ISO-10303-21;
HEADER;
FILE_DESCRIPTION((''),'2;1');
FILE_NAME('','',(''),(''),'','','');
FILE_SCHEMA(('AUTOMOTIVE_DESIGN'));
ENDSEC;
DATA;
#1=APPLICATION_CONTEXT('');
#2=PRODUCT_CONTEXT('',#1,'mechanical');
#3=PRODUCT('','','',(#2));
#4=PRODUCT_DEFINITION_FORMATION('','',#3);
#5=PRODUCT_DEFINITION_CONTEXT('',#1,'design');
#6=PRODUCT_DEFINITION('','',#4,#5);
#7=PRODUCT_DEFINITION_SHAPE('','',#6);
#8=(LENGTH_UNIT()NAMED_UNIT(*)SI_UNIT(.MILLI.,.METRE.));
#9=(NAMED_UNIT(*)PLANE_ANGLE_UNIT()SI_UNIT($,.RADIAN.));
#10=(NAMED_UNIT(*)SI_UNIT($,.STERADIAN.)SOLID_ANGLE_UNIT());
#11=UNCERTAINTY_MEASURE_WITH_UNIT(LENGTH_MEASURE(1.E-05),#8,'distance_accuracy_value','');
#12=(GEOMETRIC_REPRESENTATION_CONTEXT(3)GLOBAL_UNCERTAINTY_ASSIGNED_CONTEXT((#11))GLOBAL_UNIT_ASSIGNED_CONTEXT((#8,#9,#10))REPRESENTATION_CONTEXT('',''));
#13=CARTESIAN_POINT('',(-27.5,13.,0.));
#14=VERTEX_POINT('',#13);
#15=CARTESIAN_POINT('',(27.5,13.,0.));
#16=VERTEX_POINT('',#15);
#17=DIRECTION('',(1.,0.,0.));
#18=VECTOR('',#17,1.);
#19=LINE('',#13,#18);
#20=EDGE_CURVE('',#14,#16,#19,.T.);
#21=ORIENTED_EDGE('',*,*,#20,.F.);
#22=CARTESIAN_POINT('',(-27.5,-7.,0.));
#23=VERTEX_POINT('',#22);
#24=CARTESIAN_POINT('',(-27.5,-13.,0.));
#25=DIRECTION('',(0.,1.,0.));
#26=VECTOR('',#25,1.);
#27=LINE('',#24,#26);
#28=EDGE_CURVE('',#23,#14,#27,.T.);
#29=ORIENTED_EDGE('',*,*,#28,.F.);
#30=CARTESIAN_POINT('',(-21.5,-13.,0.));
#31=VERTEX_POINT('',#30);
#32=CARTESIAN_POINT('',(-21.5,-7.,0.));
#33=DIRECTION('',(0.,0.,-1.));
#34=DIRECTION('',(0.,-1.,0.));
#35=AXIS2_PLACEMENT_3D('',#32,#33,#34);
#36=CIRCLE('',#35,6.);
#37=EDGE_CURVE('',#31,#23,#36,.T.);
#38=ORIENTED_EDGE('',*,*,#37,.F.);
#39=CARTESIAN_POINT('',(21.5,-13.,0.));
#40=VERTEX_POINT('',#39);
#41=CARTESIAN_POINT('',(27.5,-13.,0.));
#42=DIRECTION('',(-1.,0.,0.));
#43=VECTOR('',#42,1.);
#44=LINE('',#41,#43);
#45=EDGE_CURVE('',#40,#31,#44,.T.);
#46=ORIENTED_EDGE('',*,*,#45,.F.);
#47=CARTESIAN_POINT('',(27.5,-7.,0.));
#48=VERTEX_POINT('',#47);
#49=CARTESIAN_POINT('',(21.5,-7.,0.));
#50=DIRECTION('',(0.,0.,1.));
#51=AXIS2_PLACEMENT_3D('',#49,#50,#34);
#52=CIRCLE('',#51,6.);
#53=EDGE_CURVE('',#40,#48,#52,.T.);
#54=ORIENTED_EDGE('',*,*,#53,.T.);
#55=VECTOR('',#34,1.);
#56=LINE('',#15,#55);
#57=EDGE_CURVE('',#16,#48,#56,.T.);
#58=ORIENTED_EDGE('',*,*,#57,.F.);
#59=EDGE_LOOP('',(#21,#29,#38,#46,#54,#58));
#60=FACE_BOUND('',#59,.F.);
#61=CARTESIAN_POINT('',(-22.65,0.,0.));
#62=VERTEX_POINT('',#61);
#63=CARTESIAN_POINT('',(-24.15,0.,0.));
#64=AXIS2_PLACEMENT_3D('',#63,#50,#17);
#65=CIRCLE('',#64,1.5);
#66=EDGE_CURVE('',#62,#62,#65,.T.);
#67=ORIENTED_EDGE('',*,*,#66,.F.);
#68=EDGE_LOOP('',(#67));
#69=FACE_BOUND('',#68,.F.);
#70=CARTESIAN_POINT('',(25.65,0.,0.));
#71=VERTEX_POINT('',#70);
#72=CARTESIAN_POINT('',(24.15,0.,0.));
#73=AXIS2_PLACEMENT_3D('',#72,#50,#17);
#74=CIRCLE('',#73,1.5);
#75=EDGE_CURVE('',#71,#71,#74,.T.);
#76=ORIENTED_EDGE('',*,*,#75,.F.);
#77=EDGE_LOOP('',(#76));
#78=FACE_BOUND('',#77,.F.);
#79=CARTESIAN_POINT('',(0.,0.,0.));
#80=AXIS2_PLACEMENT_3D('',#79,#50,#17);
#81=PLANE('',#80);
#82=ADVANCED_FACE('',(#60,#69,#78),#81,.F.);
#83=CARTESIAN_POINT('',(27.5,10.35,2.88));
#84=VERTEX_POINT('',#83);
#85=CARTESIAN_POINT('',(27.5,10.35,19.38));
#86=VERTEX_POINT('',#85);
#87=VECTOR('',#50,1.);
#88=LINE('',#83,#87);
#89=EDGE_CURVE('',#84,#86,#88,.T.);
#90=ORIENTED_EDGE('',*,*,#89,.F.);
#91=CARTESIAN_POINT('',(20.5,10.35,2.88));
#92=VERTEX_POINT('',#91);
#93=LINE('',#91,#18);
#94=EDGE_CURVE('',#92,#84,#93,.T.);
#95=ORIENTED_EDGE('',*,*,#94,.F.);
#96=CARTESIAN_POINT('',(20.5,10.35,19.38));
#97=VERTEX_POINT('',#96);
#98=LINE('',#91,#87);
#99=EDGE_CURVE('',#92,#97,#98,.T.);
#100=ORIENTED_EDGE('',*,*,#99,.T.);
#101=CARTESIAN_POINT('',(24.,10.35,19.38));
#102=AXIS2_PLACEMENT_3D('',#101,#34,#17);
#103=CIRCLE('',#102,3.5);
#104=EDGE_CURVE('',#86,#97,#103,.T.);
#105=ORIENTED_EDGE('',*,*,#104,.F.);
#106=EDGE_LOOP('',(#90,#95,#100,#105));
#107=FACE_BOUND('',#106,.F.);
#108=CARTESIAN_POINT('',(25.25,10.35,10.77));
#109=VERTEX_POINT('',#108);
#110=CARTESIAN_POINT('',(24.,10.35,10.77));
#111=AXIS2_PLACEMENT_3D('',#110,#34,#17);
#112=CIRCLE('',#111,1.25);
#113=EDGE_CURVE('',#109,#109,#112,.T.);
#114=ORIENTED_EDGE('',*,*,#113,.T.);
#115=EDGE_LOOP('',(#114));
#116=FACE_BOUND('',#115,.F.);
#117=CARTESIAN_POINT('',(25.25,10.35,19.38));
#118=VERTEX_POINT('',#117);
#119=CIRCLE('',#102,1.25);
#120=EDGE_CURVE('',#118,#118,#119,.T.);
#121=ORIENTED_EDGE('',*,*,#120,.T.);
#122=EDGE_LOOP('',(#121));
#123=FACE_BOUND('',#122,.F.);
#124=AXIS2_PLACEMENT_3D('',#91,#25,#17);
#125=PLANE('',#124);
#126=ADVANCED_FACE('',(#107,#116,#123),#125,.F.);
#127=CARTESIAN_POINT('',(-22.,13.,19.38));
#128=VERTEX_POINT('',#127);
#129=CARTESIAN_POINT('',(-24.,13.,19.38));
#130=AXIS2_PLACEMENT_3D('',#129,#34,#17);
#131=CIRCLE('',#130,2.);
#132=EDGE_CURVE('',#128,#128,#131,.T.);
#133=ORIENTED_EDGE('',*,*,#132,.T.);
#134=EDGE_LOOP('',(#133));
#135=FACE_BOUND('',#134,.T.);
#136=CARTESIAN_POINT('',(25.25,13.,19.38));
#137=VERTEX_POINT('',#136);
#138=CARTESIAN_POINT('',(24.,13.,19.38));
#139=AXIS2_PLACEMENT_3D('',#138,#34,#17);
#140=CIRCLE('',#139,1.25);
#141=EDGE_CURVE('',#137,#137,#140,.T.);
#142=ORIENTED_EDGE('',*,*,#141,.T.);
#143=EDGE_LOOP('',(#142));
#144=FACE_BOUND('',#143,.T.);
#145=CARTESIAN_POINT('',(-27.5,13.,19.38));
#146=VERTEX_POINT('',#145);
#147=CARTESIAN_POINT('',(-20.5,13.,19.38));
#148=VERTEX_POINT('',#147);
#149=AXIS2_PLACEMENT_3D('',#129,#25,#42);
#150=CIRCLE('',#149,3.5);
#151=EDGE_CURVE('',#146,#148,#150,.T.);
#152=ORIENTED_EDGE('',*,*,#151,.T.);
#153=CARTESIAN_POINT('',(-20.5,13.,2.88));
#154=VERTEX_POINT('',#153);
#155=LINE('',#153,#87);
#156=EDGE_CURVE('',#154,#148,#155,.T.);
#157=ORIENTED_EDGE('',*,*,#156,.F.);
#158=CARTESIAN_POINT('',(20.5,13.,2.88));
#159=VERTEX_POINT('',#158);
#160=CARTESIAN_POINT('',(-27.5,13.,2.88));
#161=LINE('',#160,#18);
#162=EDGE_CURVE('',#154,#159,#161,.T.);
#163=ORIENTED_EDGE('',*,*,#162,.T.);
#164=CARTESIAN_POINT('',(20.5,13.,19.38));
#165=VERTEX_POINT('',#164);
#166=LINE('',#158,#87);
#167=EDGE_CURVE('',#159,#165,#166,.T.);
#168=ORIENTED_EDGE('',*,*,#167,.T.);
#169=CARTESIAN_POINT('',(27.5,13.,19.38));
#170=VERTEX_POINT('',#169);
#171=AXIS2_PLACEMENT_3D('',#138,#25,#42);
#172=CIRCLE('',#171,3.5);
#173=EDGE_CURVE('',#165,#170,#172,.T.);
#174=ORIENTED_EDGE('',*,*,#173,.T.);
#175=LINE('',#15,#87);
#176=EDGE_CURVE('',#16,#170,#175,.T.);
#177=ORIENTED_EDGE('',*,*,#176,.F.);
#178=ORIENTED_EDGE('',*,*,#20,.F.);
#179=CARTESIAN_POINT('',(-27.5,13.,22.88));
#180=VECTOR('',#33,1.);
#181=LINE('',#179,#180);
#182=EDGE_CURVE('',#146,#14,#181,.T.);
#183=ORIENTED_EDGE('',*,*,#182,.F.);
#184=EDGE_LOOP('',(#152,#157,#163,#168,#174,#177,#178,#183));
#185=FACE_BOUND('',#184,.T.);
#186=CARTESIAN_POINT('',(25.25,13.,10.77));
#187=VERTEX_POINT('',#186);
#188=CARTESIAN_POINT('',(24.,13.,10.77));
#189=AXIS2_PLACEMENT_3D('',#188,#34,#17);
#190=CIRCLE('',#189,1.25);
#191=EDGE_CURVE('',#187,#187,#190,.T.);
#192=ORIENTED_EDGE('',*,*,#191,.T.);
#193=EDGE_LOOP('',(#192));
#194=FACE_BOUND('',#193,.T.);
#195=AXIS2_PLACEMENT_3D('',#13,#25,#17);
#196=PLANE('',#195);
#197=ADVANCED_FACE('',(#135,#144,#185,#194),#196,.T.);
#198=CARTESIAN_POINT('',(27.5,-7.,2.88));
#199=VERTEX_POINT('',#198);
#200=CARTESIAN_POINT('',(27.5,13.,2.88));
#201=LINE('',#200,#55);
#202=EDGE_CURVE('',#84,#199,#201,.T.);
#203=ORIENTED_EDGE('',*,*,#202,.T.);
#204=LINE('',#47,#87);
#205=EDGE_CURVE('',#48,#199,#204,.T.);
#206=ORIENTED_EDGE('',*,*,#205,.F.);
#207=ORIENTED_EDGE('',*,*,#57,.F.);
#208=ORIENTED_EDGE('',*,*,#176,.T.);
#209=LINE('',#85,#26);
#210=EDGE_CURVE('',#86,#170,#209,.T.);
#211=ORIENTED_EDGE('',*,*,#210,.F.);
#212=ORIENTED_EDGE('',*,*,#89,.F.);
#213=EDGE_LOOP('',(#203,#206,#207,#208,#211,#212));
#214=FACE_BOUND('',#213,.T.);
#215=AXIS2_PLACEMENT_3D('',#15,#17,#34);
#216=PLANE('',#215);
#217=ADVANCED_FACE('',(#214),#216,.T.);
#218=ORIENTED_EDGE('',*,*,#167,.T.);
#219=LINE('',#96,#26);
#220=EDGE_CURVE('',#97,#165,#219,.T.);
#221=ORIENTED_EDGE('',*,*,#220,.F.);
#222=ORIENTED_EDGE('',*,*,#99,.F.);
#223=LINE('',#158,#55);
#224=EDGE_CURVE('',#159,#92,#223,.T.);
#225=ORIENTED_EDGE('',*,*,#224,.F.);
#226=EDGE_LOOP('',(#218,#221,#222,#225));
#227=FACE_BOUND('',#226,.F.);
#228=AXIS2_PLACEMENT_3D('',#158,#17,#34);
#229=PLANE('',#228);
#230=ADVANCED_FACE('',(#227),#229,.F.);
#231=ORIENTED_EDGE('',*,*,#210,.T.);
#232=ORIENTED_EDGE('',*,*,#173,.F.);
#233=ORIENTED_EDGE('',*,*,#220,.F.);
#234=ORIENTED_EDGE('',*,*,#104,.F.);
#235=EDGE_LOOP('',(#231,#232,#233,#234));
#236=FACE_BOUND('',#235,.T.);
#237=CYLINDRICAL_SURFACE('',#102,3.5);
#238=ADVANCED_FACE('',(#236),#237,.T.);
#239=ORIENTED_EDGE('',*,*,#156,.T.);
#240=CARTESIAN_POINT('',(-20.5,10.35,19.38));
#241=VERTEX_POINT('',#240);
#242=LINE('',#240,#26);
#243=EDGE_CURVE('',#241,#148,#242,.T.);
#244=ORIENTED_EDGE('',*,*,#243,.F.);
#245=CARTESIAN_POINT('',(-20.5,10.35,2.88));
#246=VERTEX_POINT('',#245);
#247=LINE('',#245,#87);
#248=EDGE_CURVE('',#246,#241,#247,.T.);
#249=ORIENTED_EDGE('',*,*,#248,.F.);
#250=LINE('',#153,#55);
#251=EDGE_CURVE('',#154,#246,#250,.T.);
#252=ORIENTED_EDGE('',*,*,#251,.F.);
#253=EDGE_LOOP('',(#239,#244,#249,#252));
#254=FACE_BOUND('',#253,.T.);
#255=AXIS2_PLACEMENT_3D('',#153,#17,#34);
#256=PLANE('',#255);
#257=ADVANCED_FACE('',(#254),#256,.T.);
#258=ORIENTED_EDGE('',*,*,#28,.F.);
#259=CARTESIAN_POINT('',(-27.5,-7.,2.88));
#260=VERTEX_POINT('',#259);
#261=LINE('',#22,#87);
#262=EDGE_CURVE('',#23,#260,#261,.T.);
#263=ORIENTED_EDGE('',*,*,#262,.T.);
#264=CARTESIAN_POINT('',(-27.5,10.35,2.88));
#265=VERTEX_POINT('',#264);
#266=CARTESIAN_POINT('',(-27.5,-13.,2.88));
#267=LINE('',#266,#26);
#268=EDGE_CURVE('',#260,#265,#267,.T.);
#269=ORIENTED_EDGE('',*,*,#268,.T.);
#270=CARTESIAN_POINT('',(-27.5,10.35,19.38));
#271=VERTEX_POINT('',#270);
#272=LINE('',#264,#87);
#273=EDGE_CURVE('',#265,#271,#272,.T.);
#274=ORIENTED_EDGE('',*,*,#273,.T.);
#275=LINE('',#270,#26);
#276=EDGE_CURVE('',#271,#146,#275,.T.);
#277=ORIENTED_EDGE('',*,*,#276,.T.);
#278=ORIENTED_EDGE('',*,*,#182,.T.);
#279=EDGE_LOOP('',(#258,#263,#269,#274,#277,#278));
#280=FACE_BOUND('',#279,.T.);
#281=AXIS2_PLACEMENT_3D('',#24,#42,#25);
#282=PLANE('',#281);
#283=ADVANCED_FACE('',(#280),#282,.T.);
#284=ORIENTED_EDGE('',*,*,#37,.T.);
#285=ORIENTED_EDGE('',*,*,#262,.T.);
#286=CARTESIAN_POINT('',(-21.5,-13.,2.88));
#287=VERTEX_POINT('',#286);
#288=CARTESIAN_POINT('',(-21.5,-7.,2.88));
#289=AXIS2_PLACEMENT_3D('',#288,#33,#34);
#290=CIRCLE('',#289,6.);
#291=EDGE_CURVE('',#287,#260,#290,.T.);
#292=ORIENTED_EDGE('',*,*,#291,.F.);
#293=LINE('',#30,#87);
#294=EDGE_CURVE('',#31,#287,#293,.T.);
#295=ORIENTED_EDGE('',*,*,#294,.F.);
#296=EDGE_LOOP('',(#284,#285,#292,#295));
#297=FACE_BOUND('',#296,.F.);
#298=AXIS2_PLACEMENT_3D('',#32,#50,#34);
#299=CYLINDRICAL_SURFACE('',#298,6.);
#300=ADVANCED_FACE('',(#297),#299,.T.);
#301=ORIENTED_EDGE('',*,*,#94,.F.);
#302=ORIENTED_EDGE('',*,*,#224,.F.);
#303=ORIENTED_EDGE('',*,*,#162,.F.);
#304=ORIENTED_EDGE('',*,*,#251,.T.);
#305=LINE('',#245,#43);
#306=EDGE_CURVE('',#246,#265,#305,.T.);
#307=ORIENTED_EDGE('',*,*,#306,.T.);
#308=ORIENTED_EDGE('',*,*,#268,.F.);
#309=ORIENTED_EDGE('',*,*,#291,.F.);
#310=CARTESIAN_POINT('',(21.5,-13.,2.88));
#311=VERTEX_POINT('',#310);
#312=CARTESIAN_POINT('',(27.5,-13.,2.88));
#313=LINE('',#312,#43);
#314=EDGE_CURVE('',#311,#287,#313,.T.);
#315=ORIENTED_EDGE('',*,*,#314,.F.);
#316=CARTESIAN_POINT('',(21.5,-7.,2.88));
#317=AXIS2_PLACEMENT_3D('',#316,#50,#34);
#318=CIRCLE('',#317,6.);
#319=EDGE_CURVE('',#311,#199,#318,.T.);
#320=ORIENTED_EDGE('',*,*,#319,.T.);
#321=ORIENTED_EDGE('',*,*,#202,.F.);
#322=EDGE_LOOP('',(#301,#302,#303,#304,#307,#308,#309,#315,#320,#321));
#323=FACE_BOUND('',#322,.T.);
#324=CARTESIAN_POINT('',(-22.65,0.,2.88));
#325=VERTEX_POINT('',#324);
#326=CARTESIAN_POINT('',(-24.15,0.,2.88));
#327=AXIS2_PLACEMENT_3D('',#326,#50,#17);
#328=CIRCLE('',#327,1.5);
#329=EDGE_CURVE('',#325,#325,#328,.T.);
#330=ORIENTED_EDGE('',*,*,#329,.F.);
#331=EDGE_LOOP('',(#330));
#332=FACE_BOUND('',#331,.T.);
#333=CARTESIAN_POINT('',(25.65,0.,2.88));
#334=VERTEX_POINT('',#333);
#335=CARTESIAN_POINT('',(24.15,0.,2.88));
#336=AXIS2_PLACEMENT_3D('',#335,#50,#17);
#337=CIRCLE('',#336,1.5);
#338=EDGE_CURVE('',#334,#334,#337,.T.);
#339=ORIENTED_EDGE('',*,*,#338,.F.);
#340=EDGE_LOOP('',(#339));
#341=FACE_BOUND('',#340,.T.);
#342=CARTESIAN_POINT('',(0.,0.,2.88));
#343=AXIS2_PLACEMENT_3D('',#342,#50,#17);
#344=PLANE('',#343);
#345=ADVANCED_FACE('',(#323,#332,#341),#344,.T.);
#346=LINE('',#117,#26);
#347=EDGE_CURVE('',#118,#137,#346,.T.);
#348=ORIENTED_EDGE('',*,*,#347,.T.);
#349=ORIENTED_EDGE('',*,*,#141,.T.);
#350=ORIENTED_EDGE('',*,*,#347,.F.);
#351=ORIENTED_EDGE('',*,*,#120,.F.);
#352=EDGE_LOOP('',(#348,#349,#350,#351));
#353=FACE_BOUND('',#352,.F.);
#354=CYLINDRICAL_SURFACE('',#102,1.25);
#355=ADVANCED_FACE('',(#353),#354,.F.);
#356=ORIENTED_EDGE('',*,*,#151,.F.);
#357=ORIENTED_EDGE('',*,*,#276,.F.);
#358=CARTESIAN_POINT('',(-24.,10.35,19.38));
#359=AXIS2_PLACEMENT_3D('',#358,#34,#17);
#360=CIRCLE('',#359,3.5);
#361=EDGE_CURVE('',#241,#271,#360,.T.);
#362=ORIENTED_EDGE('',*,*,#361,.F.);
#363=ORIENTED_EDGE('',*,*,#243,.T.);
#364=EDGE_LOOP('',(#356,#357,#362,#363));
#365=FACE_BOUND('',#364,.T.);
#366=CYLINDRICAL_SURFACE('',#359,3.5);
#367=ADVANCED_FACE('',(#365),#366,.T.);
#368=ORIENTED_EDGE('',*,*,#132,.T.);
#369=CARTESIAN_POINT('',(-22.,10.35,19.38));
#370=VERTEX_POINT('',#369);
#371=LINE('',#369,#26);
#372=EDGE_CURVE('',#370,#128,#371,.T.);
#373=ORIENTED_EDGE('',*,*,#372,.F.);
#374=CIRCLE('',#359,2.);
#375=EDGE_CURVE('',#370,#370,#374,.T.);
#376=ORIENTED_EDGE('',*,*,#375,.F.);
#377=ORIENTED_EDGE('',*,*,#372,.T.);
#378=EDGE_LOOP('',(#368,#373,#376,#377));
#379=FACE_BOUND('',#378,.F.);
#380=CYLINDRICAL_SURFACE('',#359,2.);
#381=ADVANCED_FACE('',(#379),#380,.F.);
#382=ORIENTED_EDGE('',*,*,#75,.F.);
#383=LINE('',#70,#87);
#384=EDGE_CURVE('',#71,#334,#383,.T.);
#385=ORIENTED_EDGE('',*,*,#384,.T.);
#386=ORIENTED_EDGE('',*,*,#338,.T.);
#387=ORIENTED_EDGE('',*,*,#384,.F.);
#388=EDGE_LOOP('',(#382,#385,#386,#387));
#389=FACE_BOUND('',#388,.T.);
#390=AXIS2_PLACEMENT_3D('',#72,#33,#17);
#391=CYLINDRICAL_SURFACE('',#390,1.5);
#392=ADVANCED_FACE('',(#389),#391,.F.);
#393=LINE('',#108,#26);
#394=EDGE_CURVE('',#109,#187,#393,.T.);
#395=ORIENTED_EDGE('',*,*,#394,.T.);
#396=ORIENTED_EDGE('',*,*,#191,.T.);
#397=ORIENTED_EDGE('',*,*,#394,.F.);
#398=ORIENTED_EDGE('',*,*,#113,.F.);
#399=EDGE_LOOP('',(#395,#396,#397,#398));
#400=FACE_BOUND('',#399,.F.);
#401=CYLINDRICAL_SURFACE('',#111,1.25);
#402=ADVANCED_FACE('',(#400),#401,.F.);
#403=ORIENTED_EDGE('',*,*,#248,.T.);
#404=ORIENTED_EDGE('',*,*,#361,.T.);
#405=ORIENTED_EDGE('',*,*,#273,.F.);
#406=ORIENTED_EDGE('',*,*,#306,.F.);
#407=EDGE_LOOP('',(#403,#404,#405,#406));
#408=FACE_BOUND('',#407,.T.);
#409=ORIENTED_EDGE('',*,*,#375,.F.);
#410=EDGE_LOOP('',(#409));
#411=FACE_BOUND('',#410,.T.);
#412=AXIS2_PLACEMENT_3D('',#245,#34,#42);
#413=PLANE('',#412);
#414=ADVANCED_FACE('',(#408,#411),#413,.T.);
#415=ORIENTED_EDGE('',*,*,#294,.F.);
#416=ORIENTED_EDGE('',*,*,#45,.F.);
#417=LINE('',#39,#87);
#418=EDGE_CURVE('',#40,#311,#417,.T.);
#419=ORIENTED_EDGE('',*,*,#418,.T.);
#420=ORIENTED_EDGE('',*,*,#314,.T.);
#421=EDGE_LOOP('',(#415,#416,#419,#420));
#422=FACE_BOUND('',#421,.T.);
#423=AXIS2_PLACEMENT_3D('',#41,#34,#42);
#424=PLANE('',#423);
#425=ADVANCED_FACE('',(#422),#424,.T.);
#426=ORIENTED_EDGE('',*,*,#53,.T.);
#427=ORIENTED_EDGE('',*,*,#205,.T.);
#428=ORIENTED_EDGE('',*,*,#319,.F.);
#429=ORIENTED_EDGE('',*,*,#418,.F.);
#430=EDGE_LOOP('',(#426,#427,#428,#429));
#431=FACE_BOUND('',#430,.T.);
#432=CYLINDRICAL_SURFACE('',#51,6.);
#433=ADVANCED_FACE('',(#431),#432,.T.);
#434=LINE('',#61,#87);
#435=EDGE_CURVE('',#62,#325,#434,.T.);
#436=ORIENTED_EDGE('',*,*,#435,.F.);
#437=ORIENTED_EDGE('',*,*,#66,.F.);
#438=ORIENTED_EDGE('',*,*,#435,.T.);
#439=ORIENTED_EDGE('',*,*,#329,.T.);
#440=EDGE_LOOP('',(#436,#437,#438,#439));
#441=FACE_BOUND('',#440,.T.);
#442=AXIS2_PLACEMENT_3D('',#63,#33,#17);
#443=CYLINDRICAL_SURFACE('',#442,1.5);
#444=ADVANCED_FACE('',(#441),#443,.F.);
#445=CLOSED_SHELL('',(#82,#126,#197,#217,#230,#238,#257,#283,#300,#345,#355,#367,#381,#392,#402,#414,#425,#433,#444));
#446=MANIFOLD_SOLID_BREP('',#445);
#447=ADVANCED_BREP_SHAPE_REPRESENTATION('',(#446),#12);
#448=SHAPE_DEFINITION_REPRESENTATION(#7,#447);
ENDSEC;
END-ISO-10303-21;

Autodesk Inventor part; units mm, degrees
ref_plane "YZ Plane" through (0, 0, 0) normal (1, 0, 0) x (0, 1, 0)
ref_plane "XZ Plane" through (0, 0, 0) normal (0, 1, 0) x (-1, 0, 0)
ref_plane "XY Plane" through (0, 0, 0) normal (0, 0, 1) x (1, 0, 0)
sketch "Base" plane through (0, 0, 0) normal (0, 0, 1) x (1, 0, 0)
  line L0 (27.5, -13) -> (-27.5, -13)
  line L1 (-27.5, -13) -> (-27.5, 13)
  line L2 (-27.5, 13) -> (27.5, 13)
  line L3 (27.5, 13) -> (27.5, -13)
  line L4 (27.5, -13) -> (-27.5, 13) construction
  line L5 (-27.5, -13) -> (27.5, 13) construction
  line L6 (-27.5, 0) -> (27.5, 0) construction
  circle A0 centre (-24.15, 0) radius 1.5
  line L7 (0, -18.2) -> (0, 18.2) construction
  line L8 (-25.65, -1.5) -> (-22.65, -1.5) construction
  line L9 (-22.65, -1.5) -> (-22.65, 1.5)
  line L10 (-22.65, 1.5) -> (-25.65, 1.5) construction
  line L11 (-25.65, 1.5) -> (-25.65, -1.5) construction
  line L12 (-25.65, -1.5) -> (-22.65, 1.5) construction
  line L13 (-22.65, -1.5) -> (-25.65, 1.5) construction
  circle A1 centre (24.15, 0) radius 1.5
  point P0 (0, 0)
  dimension "d0" = 55
  dimension "d1" = 26
  dimension "d4" = 3
  dimension "d5" = 1.85
extrude "BaseFeature" add sketch "Base" along normal blind 2.88
fillet "BaseFilletsFeature" radius 6 2 edges at (-27.5, -13, 1.44) (27.5, -13, 1.44)
sketch "ServoMount" plane through (0, 0, 2.88) normal (0, 0, 1) x (1, 0, 0)
  line L0 (27.5, 13) -> (-27.5, 13) projected
  line L1 (-27.5, 13) -> (-27.5, -7) projected
  line L2 (27.5, -7) -> (27.5, 13) projected
  line L3 (-27.5, 13) -> (-20.5, 13)
  line L4 (-20.5, 13) -> (-20.5, 10.35)
  line L5 (-20.5, 10.35) -> (-27.5, 10.35)
  line L6 (-27.5, 10.35) -> (-27.5, 13)
  line L7 (0, -18.2) -> (0, 18.2) construction
  line L8 (20.5, 13) -> (20.5, 10.35)
  line L9 (20.5, 10.35) -> (27.5, 10.35)
  point P0 (0, 0)
  point P1 (-24, 13)
  dimension "d7" = 2.65
  dimension "d8" = 7
extrude "ServoMountFEature" add sketch "ServoMount" along normal blind 20
sketch "ServoMountProfile" plane through (-27.5, 10.35, 2.88) normal (0, -1, 0) x (1, 0, 0)
  line L0 (7, 0) -> (0, 0) projected
  line L1 (7, 0) -> (7, 20) projected
  line L2 (0, 20) -> (7, 20) projected
  line L3 (0, 0) -> (0, 20) projected
  line L4 (27.5, -7.456) -> (27.5, 24.576) construction
  circle A0 centre (3.5, 16.5) radius 3.5
  line L5 (3.5, 20) -> (3.5, 0) construction
  line L6 (0, 20) -> (7, 20) projected
  line L7 (0, 0) -> (0, 20) projected
  circle A1 centre (51.5, 16.5) radius 3.5
  line L8 (48, 0) -> (48, 20) projected
  line L9 (48, 20) -> (55, 20) projected
  line L10 (55, 0) -> (55, 20) projected
  point P0 (27.5, -2.88)
  point P1 (55, 16.5)
  point P2 (51.5, 20)
  point P3 (48, 16.5)
  point P4 (0, 16.5)
  point P5 (3.5, 20)
  point P6 (7, 16.5)
extrude "ServoMountProfileFeature" cut sketch "ServoMountProfile" against normal blind 20 contours A0 L2 L1 | L3 L2 A0 | A1 L9 L10 | A1 L8 L9
sketch "ServoMountHoles" plane through (-27.5, 10.35, 2.88) normal (0, -1, 0) x (1, 0, 0)
  arc A0 (7, 16.5) -> (0, 16.5) centre (3.5, 16.5) ccw construction
  line L0 (0, 0) -> (0, 16.5) construction
  line L1 (7, 0) -> (0, 0) construction
  line L2 (7, 0) -> (7, 16.5) construction
  line L3 (27.5, 24.576) -> (27.5, -7.456) construction
  circle A1 centre (51.5, 16.5) radius 1.25
  circle A2 centre (51.5, 7.89) radius 1.25
  arc A3 (-3.5754, 4) -> (-3.5754, 7) centre (-2.2525, 5.5) ccw construction
  arc A4 (-3.5754, 15) -> (-3.5754, 18) centre (-2.2525, 16.5) ccw construction
  circle A5 centre (-2.2525, 5.5) radius 2
  arc A6 (7, 16.5) -> (0, 16.5) centre (3.5, 16.5) ccw projected
  circle A7 centre (3.5, 16.5) radius 2
  point P0 (27.5, -2.88)
  dimension "d17" = 4
  dimension "d18" = 4
extrude "ServoMountHolesFeature" cut sketch "ServoMountHoles" against normal through all
properties part number "M3RCServoMountBracket"
